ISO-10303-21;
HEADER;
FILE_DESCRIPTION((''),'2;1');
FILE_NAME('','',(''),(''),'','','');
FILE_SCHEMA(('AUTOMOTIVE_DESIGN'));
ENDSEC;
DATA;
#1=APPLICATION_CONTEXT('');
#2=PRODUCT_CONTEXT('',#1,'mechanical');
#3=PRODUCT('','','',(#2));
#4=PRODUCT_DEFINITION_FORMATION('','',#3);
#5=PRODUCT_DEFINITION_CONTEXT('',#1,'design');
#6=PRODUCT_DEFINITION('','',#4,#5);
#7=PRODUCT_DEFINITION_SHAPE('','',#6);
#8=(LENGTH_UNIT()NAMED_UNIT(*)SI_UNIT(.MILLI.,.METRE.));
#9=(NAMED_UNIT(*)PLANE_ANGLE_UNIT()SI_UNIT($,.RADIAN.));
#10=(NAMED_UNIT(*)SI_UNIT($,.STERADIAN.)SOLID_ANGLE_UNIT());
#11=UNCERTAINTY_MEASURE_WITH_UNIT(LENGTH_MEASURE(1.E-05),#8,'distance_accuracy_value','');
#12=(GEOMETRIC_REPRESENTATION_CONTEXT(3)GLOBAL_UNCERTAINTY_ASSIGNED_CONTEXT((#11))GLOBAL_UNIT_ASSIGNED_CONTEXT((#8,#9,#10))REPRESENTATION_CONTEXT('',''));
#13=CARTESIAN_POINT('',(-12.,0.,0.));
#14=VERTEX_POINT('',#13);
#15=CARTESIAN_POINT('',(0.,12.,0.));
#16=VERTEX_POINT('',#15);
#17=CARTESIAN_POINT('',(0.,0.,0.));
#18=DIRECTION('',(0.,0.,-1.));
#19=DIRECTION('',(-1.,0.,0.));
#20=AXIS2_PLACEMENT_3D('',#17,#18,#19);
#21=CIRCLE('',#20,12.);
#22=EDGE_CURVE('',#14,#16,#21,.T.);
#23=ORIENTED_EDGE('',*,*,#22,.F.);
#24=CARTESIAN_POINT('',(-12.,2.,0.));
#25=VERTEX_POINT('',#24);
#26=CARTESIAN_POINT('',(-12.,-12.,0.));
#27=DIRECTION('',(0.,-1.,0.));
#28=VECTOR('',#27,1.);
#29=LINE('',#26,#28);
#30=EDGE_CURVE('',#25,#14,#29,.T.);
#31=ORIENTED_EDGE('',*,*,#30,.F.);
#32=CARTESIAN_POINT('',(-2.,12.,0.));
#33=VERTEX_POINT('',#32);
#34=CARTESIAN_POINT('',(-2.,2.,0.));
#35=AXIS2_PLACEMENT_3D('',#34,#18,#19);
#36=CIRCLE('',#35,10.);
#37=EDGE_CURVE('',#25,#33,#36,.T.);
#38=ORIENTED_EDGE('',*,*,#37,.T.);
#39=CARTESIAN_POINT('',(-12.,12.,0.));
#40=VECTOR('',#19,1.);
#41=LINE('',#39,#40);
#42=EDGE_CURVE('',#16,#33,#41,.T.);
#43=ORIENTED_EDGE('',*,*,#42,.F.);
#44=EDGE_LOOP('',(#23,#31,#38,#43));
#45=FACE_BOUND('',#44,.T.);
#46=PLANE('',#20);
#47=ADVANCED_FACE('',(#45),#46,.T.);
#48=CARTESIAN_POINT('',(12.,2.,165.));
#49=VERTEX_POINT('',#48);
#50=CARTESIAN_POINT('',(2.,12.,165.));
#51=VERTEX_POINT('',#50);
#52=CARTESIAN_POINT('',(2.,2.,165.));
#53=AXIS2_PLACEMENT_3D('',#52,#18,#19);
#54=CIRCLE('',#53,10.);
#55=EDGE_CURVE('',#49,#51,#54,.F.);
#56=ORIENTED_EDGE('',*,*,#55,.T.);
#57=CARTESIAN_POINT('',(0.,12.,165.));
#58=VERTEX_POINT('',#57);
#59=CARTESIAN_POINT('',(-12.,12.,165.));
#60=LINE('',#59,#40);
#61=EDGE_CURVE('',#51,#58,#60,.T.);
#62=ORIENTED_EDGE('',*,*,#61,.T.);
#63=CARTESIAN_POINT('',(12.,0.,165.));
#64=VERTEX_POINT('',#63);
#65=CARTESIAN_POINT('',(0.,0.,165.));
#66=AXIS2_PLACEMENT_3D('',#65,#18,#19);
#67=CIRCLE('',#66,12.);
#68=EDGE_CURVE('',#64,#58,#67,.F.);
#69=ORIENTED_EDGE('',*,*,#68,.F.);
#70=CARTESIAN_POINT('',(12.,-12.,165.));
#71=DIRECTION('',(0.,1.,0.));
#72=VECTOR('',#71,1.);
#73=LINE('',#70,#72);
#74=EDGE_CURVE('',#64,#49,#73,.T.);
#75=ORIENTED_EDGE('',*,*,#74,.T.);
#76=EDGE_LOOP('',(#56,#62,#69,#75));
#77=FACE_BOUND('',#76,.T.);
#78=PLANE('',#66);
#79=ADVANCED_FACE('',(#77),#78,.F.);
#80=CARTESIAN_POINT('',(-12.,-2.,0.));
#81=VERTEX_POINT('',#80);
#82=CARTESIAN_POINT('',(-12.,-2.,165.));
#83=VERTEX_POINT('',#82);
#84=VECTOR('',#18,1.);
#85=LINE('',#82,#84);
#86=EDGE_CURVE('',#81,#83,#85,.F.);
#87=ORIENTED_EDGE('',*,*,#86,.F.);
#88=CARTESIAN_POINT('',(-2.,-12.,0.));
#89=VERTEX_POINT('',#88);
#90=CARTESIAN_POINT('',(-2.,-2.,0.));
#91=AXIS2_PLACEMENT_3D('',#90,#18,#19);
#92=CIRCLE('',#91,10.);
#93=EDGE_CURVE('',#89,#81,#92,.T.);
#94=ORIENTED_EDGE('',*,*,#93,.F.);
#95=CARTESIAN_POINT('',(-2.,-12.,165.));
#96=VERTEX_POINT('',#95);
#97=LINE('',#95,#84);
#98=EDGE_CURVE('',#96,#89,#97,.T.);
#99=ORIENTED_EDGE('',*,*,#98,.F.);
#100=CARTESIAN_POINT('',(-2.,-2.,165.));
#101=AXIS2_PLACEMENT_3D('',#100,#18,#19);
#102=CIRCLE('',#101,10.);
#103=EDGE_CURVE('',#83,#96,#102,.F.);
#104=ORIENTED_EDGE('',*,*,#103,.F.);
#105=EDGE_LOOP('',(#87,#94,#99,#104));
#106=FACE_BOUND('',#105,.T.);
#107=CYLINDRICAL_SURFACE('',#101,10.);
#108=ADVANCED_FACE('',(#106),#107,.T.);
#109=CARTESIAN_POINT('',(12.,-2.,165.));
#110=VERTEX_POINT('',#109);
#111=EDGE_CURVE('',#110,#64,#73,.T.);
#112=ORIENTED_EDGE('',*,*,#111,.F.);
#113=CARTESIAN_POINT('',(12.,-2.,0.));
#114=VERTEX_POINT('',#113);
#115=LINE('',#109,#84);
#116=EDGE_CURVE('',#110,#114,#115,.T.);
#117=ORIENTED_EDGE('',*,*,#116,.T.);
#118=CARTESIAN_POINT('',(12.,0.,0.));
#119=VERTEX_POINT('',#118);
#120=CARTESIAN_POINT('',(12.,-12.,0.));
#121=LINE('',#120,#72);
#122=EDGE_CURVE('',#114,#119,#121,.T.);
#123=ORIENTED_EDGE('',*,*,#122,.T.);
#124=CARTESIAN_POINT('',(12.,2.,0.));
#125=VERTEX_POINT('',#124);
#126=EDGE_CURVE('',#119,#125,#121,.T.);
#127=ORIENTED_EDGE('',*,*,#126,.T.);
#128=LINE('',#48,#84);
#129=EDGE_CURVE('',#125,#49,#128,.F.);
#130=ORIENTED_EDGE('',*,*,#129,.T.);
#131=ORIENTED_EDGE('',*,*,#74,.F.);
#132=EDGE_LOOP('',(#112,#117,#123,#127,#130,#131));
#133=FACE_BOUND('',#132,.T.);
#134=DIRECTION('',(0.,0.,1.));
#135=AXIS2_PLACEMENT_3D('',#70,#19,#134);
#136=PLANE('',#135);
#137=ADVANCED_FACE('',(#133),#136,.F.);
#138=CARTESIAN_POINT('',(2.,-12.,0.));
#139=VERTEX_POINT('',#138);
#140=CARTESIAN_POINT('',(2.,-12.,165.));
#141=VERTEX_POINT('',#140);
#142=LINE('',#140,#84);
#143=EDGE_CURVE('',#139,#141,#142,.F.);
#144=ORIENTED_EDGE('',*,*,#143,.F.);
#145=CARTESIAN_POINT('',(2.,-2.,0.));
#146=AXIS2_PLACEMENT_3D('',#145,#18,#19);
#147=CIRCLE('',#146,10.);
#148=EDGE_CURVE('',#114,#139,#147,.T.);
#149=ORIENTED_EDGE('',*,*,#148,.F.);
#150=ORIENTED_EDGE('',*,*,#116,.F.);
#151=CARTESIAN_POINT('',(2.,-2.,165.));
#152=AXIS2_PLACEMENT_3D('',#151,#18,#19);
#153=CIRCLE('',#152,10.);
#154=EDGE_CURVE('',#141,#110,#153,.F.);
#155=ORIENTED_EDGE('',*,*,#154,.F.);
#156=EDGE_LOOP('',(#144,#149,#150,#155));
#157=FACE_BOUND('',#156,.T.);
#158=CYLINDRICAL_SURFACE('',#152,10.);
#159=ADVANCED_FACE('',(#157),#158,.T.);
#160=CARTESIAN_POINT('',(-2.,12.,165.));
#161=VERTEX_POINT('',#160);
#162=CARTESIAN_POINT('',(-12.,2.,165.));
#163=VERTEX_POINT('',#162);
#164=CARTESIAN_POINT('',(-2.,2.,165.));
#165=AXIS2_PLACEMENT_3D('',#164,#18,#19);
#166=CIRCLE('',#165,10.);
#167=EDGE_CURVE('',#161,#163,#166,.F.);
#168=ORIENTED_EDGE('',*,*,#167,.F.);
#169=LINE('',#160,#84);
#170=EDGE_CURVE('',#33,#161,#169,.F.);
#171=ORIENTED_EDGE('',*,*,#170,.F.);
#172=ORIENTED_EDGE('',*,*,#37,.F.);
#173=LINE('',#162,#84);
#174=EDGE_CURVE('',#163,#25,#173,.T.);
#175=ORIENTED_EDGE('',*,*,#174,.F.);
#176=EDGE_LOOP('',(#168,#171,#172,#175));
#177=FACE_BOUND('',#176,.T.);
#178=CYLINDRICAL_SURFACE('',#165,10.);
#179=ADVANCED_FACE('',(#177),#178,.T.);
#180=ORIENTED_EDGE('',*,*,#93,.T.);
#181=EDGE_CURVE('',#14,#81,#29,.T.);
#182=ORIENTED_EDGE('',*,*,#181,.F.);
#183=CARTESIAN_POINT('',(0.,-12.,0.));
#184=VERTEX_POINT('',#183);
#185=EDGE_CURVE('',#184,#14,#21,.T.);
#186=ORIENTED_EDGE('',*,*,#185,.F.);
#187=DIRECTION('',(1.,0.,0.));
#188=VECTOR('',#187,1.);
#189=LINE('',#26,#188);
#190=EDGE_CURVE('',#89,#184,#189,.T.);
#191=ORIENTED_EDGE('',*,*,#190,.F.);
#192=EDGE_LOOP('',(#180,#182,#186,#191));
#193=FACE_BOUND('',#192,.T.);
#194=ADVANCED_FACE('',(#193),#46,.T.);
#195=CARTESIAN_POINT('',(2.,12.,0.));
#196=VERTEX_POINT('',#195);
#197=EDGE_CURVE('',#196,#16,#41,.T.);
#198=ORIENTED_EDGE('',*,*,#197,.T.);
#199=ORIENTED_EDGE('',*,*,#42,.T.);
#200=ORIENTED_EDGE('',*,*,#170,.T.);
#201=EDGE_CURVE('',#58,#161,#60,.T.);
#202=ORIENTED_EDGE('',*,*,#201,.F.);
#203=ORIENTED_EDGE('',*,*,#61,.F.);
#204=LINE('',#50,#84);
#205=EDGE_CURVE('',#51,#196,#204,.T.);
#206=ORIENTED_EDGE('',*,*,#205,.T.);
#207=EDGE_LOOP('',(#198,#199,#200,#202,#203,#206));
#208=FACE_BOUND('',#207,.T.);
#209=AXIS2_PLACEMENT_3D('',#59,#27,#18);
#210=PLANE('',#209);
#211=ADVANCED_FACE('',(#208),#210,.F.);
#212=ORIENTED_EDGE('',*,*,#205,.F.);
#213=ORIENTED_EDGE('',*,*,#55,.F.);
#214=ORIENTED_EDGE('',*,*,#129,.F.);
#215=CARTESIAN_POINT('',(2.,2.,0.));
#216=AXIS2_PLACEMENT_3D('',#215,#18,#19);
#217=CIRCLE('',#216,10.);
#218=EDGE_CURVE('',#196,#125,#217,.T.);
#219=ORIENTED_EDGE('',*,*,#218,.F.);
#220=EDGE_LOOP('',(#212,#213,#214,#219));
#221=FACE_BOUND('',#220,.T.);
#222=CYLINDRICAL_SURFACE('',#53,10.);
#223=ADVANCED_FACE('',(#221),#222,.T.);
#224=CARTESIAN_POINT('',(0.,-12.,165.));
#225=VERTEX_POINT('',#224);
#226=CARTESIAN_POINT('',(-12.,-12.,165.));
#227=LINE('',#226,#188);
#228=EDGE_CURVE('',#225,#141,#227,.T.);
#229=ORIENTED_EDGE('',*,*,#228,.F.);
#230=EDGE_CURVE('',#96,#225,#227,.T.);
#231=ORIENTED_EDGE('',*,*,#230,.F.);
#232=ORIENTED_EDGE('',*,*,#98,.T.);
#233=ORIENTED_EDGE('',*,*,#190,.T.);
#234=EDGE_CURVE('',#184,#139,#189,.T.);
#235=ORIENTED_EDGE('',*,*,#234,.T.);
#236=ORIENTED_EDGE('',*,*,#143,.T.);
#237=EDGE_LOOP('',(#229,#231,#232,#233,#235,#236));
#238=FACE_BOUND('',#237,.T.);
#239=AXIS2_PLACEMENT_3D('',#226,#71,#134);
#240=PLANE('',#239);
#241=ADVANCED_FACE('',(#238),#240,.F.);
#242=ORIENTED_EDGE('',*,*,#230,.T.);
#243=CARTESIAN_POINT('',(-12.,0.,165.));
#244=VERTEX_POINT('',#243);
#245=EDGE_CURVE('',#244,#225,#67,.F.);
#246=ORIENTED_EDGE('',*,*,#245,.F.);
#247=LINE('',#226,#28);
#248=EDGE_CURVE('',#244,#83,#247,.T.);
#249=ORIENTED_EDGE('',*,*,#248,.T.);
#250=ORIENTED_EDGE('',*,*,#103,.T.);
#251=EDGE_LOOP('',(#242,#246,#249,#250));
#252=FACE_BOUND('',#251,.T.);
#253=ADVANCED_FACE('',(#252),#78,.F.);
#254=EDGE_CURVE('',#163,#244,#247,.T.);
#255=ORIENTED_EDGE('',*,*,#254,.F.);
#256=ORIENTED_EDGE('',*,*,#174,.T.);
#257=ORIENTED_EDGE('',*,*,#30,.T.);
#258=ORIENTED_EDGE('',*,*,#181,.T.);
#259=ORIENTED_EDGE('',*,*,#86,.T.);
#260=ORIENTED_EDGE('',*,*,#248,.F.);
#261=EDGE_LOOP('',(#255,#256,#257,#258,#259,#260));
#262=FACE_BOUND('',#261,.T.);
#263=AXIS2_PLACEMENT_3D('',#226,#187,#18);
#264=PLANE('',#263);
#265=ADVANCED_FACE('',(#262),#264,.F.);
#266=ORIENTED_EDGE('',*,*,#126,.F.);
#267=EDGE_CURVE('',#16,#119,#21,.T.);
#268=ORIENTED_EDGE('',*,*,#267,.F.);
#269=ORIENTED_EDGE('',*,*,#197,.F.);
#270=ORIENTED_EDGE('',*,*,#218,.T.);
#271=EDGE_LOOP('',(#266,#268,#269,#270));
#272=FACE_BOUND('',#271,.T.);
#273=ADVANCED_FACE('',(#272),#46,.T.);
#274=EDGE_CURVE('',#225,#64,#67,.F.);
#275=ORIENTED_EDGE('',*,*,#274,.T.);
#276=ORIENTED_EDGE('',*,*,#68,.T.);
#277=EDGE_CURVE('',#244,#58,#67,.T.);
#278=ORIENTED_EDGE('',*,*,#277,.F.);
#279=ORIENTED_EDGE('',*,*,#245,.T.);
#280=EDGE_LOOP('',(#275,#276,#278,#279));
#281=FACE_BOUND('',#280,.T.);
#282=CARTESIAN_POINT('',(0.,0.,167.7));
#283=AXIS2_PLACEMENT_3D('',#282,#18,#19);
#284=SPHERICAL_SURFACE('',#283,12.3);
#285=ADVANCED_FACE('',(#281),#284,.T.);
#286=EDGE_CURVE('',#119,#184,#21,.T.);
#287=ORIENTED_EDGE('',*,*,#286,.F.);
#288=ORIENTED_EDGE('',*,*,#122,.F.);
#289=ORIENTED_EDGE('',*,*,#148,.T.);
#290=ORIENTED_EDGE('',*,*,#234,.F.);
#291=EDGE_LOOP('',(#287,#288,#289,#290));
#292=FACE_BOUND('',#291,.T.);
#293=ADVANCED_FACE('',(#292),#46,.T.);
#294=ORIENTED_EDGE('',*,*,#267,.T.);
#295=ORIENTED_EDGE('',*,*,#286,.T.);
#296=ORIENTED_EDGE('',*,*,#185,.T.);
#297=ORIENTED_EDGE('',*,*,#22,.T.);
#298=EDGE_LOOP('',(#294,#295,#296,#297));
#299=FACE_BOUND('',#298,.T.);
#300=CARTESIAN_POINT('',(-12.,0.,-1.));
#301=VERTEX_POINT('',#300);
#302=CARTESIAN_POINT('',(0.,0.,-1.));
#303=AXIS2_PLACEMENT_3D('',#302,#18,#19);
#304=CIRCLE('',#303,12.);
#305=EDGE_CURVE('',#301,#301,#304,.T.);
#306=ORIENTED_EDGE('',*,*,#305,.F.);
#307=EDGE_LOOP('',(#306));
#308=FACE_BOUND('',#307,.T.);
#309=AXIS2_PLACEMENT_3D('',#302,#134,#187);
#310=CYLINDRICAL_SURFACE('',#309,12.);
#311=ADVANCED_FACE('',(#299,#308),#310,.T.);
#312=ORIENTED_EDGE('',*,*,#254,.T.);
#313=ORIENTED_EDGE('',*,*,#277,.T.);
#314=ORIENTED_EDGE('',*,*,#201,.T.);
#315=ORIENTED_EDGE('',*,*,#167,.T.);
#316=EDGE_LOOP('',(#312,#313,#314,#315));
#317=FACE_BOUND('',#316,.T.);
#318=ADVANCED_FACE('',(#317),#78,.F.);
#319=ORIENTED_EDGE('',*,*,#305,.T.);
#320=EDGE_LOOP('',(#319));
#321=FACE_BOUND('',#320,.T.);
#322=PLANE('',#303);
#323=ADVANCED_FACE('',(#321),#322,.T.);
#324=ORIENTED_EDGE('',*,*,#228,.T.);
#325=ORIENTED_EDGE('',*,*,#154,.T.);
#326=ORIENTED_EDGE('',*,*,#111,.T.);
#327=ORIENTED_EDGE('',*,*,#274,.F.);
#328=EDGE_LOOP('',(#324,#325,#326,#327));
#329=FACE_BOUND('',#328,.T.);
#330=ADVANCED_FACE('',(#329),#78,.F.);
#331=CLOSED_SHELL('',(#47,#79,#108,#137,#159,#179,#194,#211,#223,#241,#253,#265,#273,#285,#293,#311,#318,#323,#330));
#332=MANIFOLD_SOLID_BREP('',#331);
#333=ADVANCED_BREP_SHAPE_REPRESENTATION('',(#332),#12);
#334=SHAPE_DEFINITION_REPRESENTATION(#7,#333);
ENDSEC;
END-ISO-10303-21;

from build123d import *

# Parameters (mm, degrees)
SKETCH1_W           = 24
SKETCH1_H           = 24
BOSS_EXTRUDE1_DEPTH = 165
FILLET1_R           = 10
SKETCH4_R           = 12
BOSS_EXTRUDE2_DEPTH = 1


with BuildPart() as part:
    # Sketch1 → Boss-Extrude1 (new body)
    with BuildSketch(Plane.XY):
        Rectangle(SKETCH1_W, SKETCH1_H)
    extrude(amount=BOSS_EXTRUDE1_DEPTH)

    # Sketch3 → Revolve1 (revolve)
    with BuildSketch(Plane(origin=(0, 0, 0), x_dir=(-1, 0, 0), z_dir=(0, -1, 0))):
        with BuildLine():
            Line((0, -165), (0, -180))
            ThreePointArc((0, -180), (9.604686356, -175.383749085), (12, -165))
            Line((12, -165), (0, -165))
        make_face()
    revolve(axis=Axis((0, 0, 165), (0, 0, 1)))

    # Fillet1
    fillet1_edges = [part.edges().sort_by_distance(p)[0] for p in [
        (12, -12, 82.5),
        (-12, -12, 82.5),
        (-12, 12, 82.5),
        (12, 12, 82.5),
    ]]
    fillet(fillet1_edges, radius=FILLET1_R)

    # Sketch4 → Boss-Extrude2 (add)
    with BuildSketch(Plane(origin=(0, 0, 0), x_dir=(-1, 0, 0), z_dir=(0, 0, -1))):
        Circle(SKETCH4_R)
    extrude(amount=BOSS_EXTRUDE2_DEPTH)


solid = part.part
